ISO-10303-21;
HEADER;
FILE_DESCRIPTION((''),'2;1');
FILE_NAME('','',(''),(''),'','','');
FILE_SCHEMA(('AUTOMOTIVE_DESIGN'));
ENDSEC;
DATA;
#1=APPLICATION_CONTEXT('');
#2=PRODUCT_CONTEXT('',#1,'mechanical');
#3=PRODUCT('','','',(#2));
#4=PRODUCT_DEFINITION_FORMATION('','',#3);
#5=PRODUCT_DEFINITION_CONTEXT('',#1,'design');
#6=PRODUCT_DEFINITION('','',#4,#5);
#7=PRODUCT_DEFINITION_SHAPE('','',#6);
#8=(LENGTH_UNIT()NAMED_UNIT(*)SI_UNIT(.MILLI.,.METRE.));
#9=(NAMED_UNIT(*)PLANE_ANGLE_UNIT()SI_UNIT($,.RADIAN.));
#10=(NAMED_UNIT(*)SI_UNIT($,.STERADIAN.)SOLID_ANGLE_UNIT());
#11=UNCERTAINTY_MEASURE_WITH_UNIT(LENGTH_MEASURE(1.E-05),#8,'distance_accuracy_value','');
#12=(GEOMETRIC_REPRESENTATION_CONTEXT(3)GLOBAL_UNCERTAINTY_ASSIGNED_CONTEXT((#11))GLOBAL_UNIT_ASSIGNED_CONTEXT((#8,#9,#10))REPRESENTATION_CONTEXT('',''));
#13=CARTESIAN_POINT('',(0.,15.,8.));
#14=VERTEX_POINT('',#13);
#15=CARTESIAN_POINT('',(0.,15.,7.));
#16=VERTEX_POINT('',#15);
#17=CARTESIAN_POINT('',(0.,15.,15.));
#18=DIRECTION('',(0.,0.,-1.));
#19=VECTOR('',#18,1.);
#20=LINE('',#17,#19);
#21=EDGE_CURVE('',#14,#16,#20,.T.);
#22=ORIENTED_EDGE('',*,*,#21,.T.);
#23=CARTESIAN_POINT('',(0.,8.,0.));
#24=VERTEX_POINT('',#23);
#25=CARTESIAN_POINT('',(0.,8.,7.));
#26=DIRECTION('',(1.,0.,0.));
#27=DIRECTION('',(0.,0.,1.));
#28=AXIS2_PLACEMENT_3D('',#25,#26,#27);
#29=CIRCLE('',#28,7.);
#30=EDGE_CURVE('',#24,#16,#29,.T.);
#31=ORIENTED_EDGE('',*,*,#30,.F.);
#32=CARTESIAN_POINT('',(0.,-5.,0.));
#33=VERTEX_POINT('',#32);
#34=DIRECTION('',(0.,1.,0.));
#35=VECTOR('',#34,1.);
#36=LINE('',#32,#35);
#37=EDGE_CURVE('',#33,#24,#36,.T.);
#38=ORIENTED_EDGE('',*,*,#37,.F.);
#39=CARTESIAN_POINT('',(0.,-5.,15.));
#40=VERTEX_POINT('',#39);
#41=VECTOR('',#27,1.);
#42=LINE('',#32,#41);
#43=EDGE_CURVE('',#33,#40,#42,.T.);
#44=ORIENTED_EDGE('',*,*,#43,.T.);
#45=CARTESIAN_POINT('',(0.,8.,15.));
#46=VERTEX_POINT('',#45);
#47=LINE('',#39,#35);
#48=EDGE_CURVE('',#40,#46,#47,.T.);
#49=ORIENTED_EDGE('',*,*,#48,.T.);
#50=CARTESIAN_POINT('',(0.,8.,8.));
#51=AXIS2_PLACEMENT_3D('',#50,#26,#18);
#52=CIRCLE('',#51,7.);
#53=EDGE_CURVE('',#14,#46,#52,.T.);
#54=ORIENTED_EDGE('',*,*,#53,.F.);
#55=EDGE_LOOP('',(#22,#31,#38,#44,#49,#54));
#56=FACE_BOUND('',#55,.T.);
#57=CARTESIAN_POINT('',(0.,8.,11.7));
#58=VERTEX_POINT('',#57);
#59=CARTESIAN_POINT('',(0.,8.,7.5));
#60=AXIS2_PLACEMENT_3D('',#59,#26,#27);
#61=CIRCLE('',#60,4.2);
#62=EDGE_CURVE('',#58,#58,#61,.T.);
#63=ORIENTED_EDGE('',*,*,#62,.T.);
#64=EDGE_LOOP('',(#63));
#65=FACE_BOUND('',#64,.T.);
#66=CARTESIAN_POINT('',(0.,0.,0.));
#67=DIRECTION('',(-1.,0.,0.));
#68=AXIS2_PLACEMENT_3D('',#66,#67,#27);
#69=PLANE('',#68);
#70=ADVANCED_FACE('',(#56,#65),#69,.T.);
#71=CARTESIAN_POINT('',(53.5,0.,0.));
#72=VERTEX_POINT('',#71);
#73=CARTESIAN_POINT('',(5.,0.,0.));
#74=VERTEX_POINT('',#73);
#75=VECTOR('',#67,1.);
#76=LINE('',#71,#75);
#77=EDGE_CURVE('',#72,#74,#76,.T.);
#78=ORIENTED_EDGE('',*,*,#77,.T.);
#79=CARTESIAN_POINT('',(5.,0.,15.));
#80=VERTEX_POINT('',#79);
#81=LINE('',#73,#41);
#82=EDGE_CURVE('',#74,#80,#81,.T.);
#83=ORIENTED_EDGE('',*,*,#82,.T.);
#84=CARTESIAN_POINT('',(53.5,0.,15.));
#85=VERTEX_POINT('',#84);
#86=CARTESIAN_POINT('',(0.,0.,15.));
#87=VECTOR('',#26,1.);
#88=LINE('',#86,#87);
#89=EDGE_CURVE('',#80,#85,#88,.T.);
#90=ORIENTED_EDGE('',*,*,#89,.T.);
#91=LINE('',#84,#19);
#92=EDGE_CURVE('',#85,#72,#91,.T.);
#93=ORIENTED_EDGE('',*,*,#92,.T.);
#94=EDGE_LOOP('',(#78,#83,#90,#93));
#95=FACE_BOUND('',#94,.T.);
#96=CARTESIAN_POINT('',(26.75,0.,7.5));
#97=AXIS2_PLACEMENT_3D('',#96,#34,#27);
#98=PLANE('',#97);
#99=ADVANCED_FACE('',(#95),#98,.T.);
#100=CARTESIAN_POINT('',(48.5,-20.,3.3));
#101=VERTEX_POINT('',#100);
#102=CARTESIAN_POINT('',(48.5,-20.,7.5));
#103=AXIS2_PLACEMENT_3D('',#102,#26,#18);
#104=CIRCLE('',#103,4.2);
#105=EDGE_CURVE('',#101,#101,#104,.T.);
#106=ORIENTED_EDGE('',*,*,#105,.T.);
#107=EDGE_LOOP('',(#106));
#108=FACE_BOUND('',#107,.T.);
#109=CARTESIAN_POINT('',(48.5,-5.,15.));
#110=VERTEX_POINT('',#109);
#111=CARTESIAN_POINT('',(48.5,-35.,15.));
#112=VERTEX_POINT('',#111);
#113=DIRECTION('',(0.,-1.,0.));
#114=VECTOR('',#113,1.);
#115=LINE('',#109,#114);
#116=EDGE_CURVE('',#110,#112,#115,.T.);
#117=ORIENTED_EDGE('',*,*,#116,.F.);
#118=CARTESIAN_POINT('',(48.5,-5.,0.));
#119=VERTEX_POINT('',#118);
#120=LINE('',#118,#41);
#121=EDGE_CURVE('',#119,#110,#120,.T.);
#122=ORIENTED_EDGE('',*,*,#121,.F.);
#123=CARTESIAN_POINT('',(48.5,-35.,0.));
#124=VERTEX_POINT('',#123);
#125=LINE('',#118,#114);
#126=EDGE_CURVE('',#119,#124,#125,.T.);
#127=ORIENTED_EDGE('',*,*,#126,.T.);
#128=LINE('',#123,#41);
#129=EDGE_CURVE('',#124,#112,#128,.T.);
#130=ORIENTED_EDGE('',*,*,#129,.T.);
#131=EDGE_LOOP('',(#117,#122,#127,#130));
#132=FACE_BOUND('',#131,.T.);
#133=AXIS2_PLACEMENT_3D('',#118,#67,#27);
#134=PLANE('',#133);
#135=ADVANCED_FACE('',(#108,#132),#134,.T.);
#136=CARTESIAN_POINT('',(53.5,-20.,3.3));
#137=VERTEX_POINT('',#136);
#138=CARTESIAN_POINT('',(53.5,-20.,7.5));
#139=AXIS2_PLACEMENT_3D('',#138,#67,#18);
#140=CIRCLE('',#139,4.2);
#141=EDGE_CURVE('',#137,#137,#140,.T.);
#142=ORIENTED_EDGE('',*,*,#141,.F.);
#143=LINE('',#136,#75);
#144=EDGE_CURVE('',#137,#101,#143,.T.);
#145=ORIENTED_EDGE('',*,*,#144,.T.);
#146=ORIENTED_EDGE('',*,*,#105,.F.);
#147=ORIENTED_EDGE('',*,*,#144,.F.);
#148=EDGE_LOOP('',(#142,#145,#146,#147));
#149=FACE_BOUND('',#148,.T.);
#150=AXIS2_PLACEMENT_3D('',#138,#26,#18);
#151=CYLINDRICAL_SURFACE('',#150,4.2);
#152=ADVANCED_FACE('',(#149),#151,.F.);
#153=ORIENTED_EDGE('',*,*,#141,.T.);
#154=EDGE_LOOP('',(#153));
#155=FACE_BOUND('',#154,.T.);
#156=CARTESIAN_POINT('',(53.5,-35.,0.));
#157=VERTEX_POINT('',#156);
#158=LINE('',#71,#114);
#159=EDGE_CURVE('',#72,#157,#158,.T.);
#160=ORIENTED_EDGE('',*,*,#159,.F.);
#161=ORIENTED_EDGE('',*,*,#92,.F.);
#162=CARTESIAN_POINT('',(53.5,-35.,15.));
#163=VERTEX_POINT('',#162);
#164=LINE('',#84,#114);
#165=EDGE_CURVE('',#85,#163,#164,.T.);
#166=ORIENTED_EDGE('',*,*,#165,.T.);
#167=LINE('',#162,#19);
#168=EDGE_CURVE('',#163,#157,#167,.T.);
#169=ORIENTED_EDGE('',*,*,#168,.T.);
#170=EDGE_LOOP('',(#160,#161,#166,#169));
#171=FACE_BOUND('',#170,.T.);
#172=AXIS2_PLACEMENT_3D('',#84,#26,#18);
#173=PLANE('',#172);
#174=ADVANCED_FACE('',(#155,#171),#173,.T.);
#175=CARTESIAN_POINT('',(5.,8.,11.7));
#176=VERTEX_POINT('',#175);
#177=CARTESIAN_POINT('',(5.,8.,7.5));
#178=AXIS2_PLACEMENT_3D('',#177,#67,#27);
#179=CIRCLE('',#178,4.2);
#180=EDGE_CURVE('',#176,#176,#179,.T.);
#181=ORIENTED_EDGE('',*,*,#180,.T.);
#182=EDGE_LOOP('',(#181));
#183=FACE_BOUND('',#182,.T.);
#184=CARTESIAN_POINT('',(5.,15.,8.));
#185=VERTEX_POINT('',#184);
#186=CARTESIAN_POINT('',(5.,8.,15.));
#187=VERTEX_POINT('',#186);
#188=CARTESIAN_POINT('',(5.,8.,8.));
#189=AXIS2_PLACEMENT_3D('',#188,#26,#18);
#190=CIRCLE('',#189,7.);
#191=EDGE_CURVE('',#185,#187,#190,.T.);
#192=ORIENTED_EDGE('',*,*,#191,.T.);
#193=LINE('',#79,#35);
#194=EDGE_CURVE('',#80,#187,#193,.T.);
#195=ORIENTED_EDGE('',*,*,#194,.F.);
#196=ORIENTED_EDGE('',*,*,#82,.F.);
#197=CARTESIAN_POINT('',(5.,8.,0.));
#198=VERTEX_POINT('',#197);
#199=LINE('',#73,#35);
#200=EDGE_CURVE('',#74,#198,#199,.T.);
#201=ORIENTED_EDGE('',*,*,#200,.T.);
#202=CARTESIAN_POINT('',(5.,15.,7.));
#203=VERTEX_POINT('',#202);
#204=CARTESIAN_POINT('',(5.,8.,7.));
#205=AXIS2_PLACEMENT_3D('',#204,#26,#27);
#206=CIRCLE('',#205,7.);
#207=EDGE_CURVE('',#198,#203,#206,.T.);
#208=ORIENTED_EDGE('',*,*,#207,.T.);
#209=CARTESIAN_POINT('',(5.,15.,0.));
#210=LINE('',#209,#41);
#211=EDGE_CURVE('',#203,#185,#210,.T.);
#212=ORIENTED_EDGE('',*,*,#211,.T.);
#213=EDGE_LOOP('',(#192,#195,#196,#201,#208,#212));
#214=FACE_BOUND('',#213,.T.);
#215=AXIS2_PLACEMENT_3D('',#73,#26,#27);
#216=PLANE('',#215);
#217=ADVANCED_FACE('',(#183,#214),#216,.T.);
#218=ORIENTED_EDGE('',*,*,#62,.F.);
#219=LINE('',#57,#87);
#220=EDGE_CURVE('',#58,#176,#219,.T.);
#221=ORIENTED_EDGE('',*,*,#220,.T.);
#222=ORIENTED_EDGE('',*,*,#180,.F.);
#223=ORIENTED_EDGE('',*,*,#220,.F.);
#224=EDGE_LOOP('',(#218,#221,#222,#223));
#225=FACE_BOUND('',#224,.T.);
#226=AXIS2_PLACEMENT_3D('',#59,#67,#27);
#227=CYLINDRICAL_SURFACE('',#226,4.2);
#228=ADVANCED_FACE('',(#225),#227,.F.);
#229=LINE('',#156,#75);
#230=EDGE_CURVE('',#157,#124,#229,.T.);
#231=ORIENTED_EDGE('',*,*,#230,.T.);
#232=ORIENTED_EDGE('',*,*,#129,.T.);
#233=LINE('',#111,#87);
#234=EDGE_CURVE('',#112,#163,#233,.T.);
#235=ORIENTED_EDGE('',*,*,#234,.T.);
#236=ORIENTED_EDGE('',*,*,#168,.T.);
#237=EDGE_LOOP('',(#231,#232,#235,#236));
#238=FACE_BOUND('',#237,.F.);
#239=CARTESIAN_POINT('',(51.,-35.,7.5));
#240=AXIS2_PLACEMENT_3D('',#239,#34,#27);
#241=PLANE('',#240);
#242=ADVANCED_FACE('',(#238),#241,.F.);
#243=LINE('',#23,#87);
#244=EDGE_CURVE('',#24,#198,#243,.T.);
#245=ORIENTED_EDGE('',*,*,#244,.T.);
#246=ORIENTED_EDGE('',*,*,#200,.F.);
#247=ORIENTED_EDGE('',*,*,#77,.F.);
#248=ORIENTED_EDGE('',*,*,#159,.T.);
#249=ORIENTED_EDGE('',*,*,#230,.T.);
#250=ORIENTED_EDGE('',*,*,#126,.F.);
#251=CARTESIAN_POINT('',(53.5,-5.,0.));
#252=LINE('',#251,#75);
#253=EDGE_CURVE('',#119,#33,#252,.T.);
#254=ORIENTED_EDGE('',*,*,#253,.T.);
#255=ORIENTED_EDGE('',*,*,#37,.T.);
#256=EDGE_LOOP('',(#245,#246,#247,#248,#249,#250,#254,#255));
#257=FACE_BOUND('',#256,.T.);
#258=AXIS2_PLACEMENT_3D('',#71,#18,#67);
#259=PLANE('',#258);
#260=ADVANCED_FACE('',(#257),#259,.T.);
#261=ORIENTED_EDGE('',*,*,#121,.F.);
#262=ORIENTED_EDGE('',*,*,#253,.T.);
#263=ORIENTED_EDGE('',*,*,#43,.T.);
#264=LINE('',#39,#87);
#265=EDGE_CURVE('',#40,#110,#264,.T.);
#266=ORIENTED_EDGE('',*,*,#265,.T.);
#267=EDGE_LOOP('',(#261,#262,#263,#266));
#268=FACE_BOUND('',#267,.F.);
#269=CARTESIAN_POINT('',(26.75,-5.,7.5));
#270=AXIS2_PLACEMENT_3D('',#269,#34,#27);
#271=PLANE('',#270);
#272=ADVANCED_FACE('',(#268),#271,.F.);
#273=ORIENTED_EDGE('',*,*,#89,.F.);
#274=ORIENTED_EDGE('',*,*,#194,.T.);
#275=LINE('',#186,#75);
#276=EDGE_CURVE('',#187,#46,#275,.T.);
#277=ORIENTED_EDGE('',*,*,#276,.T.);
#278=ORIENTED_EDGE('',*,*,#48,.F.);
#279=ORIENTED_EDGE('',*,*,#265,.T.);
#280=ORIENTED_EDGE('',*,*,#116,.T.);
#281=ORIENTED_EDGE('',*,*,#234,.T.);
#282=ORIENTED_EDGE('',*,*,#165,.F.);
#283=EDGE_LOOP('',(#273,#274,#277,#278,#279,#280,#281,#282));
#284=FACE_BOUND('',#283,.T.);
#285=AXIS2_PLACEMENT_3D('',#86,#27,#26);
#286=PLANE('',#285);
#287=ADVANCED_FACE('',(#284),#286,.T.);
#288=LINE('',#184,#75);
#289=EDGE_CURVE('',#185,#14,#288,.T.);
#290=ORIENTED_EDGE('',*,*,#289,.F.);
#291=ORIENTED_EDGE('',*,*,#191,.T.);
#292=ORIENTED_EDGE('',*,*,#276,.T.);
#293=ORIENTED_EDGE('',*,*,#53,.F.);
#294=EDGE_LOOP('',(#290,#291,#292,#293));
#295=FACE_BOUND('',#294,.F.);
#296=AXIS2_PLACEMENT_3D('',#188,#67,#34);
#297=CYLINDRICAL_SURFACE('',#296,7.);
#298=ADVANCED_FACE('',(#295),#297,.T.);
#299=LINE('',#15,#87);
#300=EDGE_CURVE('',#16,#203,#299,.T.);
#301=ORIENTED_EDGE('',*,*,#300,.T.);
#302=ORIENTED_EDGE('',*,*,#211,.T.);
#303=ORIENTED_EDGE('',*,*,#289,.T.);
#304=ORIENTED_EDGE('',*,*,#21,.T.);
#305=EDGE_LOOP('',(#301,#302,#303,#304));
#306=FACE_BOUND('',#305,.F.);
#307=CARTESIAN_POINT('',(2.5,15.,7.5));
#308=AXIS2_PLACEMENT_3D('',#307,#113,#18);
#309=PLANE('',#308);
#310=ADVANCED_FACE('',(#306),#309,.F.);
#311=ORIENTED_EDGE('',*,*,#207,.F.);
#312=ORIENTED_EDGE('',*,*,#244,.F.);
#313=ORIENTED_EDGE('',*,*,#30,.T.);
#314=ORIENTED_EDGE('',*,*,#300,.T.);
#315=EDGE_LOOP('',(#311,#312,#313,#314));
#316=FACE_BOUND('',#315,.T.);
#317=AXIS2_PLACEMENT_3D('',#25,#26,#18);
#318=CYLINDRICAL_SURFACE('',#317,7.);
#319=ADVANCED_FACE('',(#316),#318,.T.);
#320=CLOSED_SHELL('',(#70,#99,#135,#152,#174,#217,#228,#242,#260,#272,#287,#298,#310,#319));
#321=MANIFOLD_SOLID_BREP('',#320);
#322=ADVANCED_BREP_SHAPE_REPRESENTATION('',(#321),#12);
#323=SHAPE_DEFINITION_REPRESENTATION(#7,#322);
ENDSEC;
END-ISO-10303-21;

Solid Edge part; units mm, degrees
sketch "Sketch1" plane through (0, 0, 0) normal (0, -1, 0) x (1, 0, 0)
  line L0 (53.5, 0) -> (0, 0)
  line L1 (0, 0) -> (0, 15)
  line L2 (0, 15) -> (53.5, 15)
  line L3 (53.5, 15) -> (53.5, 0)
extrude "Protrusion1" add sketch "Sketch1" along normal blind 5
sketch "Sketch2" plane through (18.75, -5, 7.5) normal (0, -1, 0) x (1, 0, 0)
  line L0 (29.75, -7.5) -> (29.75, 7.5)
  line L1 (29.75, 7.5) -> (34.75, 7.5)
  line L2 (34.75, 7.5) -> (34.75, -7.5)
  line L3 (34.75, -7.5) -> (29.75, -7.5)
extrude "ExtrudedProtrusion_2" add sketch "Sketch2" along normal blind 30
sketch "Sketch3" plane through (18.75, 0, 7.5) normal (0, 1, 0) x (-1, 0, 0)
  line L0 (13.75, -7.5) -> (13.75, 7.5)
  line L1 (13.75, 7.5) -> (18.75, 7.5)
  line L2 (18.75, 7.5) -> (18.75, -7.5)
  line L3 (18.75, -7.5) -> (13.75, -7.5)
extrude "ExtrudedProtrusion_3" add sketch "Sketch3" along normal blind 15
sketch "Sketch4" plane through (53.5, -17.5, 7.5) normal (1, 0, 0) x (0, 1, 0)
  circle A0 centre (-2.5, 0) radius 4
extrude "Cutout1" cut sketch "Sketch4" against normal through all
sketch "Sketch5" plane through (0, 5, 7.5) normal (-1, 0, 0) x (0, -1, 0)
  circle A0 centre (-3, 0) radius 4
extrude "Cutout2" cut sketch "Sketch5" against normal through all
fillet "Round1" radius 7 2 edges at (2.5, 15, 15) (2.5, 15, 0)
hole "Hole_1" at (0, 8, 7.5) direction (1, 0, 0) diameter 8.4 end up to next
hole "Hole_2" at (53.5, -20, 7.5) direction (-1, 0, 0) diameter 8.4 end up to next
